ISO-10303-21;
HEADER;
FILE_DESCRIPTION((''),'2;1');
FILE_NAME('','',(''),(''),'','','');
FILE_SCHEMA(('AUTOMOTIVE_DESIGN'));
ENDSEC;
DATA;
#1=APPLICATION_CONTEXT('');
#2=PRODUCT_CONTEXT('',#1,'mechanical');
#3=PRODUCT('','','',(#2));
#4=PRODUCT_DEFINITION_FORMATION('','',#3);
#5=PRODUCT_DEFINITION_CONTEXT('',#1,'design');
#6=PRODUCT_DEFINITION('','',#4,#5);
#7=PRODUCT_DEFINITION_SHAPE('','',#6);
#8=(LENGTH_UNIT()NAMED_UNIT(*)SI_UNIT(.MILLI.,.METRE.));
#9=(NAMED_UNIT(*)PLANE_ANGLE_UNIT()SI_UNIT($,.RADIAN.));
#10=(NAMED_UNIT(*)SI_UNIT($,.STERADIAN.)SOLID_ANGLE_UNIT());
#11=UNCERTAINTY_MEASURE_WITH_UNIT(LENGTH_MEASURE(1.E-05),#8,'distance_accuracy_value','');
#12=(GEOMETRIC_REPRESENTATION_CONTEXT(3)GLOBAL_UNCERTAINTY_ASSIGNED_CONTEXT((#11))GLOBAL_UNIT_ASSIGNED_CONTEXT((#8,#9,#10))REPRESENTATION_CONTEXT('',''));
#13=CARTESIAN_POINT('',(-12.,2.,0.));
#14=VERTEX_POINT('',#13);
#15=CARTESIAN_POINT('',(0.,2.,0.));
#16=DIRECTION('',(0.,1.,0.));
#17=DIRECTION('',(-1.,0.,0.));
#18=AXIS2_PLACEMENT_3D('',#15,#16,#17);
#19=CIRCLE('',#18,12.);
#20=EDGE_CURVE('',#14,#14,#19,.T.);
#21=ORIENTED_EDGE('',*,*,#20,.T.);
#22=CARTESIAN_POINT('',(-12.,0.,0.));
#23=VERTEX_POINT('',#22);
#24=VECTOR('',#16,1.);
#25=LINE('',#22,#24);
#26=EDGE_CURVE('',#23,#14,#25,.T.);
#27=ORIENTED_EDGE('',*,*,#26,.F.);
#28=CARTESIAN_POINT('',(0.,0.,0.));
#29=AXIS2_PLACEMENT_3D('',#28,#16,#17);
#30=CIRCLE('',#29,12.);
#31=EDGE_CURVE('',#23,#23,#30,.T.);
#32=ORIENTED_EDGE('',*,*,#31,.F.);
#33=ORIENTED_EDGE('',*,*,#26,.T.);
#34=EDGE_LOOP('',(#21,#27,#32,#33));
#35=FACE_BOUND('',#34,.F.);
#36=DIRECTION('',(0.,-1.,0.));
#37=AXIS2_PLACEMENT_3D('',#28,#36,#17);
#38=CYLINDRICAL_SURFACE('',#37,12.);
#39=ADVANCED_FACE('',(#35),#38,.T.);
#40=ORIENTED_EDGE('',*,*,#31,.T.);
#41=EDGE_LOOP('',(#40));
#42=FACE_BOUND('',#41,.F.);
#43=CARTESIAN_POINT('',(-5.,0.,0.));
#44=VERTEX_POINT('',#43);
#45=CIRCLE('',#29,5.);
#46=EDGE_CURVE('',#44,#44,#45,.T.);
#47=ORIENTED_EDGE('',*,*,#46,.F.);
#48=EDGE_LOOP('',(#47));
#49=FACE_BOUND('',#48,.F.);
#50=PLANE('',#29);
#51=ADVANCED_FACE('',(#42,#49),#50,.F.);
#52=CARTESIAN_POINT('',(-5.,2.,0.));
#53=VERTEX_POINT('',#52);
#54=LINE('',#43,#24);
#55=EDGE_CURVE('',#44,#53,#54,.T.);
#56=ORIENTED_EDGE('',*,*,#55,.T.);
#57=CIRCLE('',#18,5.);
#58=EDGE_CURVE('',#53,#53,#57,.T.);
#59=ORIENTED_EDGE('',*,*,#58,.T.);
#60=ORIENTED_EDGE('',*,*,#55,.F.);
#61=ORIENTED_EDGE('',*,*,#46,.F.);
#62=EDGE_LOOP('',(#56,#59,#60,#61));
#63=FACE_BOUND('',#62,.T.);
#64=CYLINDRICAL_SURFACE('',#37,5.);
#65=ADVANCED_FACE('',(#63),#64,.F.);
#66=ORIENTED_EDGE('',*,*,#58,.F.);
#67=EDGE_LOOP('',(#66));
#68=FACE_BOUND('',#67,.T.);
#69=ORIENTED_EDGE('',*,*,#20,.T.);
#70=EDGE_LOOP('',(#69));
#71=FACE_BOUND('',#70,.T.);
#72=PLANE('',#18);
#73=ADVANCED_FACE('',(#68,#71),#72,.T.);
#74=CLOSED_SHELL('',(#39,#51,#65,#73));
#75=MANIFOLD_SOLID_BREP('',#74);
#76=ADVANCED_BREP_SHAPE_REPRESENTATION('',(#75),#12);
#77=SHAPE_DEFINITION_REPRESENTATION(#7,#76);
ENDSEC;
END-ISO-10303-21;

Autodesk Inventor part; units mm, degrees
ref_plane "YZ Plane" through (0, 0, 0) normal (1, 0, 0) x (0, 1, 0)
ref_plane "XZ Plane" through (0, 0, 0) normal (0, 1, 0) x (-1, 0, 0)
ref_plane "XY Plane" through (0, 0, 0) normal (0, 0, 1) x (1, 0, 0)
sketch "Sketch1" plane through (0, 0, 0) normal (0, 1, 0) x (-1, 0, 0)
  circle A0 centre (0, 0) radius 12
  circle A1 centre (0, 0) radius 5
  dimension "d0" = 24
  dimension "d1" = 10
extrude "Extrusion1" add sketch "Sketch1" along normal blind 2
properties part number "separator_single" material "Brass, Soft Yellow, Welded"
